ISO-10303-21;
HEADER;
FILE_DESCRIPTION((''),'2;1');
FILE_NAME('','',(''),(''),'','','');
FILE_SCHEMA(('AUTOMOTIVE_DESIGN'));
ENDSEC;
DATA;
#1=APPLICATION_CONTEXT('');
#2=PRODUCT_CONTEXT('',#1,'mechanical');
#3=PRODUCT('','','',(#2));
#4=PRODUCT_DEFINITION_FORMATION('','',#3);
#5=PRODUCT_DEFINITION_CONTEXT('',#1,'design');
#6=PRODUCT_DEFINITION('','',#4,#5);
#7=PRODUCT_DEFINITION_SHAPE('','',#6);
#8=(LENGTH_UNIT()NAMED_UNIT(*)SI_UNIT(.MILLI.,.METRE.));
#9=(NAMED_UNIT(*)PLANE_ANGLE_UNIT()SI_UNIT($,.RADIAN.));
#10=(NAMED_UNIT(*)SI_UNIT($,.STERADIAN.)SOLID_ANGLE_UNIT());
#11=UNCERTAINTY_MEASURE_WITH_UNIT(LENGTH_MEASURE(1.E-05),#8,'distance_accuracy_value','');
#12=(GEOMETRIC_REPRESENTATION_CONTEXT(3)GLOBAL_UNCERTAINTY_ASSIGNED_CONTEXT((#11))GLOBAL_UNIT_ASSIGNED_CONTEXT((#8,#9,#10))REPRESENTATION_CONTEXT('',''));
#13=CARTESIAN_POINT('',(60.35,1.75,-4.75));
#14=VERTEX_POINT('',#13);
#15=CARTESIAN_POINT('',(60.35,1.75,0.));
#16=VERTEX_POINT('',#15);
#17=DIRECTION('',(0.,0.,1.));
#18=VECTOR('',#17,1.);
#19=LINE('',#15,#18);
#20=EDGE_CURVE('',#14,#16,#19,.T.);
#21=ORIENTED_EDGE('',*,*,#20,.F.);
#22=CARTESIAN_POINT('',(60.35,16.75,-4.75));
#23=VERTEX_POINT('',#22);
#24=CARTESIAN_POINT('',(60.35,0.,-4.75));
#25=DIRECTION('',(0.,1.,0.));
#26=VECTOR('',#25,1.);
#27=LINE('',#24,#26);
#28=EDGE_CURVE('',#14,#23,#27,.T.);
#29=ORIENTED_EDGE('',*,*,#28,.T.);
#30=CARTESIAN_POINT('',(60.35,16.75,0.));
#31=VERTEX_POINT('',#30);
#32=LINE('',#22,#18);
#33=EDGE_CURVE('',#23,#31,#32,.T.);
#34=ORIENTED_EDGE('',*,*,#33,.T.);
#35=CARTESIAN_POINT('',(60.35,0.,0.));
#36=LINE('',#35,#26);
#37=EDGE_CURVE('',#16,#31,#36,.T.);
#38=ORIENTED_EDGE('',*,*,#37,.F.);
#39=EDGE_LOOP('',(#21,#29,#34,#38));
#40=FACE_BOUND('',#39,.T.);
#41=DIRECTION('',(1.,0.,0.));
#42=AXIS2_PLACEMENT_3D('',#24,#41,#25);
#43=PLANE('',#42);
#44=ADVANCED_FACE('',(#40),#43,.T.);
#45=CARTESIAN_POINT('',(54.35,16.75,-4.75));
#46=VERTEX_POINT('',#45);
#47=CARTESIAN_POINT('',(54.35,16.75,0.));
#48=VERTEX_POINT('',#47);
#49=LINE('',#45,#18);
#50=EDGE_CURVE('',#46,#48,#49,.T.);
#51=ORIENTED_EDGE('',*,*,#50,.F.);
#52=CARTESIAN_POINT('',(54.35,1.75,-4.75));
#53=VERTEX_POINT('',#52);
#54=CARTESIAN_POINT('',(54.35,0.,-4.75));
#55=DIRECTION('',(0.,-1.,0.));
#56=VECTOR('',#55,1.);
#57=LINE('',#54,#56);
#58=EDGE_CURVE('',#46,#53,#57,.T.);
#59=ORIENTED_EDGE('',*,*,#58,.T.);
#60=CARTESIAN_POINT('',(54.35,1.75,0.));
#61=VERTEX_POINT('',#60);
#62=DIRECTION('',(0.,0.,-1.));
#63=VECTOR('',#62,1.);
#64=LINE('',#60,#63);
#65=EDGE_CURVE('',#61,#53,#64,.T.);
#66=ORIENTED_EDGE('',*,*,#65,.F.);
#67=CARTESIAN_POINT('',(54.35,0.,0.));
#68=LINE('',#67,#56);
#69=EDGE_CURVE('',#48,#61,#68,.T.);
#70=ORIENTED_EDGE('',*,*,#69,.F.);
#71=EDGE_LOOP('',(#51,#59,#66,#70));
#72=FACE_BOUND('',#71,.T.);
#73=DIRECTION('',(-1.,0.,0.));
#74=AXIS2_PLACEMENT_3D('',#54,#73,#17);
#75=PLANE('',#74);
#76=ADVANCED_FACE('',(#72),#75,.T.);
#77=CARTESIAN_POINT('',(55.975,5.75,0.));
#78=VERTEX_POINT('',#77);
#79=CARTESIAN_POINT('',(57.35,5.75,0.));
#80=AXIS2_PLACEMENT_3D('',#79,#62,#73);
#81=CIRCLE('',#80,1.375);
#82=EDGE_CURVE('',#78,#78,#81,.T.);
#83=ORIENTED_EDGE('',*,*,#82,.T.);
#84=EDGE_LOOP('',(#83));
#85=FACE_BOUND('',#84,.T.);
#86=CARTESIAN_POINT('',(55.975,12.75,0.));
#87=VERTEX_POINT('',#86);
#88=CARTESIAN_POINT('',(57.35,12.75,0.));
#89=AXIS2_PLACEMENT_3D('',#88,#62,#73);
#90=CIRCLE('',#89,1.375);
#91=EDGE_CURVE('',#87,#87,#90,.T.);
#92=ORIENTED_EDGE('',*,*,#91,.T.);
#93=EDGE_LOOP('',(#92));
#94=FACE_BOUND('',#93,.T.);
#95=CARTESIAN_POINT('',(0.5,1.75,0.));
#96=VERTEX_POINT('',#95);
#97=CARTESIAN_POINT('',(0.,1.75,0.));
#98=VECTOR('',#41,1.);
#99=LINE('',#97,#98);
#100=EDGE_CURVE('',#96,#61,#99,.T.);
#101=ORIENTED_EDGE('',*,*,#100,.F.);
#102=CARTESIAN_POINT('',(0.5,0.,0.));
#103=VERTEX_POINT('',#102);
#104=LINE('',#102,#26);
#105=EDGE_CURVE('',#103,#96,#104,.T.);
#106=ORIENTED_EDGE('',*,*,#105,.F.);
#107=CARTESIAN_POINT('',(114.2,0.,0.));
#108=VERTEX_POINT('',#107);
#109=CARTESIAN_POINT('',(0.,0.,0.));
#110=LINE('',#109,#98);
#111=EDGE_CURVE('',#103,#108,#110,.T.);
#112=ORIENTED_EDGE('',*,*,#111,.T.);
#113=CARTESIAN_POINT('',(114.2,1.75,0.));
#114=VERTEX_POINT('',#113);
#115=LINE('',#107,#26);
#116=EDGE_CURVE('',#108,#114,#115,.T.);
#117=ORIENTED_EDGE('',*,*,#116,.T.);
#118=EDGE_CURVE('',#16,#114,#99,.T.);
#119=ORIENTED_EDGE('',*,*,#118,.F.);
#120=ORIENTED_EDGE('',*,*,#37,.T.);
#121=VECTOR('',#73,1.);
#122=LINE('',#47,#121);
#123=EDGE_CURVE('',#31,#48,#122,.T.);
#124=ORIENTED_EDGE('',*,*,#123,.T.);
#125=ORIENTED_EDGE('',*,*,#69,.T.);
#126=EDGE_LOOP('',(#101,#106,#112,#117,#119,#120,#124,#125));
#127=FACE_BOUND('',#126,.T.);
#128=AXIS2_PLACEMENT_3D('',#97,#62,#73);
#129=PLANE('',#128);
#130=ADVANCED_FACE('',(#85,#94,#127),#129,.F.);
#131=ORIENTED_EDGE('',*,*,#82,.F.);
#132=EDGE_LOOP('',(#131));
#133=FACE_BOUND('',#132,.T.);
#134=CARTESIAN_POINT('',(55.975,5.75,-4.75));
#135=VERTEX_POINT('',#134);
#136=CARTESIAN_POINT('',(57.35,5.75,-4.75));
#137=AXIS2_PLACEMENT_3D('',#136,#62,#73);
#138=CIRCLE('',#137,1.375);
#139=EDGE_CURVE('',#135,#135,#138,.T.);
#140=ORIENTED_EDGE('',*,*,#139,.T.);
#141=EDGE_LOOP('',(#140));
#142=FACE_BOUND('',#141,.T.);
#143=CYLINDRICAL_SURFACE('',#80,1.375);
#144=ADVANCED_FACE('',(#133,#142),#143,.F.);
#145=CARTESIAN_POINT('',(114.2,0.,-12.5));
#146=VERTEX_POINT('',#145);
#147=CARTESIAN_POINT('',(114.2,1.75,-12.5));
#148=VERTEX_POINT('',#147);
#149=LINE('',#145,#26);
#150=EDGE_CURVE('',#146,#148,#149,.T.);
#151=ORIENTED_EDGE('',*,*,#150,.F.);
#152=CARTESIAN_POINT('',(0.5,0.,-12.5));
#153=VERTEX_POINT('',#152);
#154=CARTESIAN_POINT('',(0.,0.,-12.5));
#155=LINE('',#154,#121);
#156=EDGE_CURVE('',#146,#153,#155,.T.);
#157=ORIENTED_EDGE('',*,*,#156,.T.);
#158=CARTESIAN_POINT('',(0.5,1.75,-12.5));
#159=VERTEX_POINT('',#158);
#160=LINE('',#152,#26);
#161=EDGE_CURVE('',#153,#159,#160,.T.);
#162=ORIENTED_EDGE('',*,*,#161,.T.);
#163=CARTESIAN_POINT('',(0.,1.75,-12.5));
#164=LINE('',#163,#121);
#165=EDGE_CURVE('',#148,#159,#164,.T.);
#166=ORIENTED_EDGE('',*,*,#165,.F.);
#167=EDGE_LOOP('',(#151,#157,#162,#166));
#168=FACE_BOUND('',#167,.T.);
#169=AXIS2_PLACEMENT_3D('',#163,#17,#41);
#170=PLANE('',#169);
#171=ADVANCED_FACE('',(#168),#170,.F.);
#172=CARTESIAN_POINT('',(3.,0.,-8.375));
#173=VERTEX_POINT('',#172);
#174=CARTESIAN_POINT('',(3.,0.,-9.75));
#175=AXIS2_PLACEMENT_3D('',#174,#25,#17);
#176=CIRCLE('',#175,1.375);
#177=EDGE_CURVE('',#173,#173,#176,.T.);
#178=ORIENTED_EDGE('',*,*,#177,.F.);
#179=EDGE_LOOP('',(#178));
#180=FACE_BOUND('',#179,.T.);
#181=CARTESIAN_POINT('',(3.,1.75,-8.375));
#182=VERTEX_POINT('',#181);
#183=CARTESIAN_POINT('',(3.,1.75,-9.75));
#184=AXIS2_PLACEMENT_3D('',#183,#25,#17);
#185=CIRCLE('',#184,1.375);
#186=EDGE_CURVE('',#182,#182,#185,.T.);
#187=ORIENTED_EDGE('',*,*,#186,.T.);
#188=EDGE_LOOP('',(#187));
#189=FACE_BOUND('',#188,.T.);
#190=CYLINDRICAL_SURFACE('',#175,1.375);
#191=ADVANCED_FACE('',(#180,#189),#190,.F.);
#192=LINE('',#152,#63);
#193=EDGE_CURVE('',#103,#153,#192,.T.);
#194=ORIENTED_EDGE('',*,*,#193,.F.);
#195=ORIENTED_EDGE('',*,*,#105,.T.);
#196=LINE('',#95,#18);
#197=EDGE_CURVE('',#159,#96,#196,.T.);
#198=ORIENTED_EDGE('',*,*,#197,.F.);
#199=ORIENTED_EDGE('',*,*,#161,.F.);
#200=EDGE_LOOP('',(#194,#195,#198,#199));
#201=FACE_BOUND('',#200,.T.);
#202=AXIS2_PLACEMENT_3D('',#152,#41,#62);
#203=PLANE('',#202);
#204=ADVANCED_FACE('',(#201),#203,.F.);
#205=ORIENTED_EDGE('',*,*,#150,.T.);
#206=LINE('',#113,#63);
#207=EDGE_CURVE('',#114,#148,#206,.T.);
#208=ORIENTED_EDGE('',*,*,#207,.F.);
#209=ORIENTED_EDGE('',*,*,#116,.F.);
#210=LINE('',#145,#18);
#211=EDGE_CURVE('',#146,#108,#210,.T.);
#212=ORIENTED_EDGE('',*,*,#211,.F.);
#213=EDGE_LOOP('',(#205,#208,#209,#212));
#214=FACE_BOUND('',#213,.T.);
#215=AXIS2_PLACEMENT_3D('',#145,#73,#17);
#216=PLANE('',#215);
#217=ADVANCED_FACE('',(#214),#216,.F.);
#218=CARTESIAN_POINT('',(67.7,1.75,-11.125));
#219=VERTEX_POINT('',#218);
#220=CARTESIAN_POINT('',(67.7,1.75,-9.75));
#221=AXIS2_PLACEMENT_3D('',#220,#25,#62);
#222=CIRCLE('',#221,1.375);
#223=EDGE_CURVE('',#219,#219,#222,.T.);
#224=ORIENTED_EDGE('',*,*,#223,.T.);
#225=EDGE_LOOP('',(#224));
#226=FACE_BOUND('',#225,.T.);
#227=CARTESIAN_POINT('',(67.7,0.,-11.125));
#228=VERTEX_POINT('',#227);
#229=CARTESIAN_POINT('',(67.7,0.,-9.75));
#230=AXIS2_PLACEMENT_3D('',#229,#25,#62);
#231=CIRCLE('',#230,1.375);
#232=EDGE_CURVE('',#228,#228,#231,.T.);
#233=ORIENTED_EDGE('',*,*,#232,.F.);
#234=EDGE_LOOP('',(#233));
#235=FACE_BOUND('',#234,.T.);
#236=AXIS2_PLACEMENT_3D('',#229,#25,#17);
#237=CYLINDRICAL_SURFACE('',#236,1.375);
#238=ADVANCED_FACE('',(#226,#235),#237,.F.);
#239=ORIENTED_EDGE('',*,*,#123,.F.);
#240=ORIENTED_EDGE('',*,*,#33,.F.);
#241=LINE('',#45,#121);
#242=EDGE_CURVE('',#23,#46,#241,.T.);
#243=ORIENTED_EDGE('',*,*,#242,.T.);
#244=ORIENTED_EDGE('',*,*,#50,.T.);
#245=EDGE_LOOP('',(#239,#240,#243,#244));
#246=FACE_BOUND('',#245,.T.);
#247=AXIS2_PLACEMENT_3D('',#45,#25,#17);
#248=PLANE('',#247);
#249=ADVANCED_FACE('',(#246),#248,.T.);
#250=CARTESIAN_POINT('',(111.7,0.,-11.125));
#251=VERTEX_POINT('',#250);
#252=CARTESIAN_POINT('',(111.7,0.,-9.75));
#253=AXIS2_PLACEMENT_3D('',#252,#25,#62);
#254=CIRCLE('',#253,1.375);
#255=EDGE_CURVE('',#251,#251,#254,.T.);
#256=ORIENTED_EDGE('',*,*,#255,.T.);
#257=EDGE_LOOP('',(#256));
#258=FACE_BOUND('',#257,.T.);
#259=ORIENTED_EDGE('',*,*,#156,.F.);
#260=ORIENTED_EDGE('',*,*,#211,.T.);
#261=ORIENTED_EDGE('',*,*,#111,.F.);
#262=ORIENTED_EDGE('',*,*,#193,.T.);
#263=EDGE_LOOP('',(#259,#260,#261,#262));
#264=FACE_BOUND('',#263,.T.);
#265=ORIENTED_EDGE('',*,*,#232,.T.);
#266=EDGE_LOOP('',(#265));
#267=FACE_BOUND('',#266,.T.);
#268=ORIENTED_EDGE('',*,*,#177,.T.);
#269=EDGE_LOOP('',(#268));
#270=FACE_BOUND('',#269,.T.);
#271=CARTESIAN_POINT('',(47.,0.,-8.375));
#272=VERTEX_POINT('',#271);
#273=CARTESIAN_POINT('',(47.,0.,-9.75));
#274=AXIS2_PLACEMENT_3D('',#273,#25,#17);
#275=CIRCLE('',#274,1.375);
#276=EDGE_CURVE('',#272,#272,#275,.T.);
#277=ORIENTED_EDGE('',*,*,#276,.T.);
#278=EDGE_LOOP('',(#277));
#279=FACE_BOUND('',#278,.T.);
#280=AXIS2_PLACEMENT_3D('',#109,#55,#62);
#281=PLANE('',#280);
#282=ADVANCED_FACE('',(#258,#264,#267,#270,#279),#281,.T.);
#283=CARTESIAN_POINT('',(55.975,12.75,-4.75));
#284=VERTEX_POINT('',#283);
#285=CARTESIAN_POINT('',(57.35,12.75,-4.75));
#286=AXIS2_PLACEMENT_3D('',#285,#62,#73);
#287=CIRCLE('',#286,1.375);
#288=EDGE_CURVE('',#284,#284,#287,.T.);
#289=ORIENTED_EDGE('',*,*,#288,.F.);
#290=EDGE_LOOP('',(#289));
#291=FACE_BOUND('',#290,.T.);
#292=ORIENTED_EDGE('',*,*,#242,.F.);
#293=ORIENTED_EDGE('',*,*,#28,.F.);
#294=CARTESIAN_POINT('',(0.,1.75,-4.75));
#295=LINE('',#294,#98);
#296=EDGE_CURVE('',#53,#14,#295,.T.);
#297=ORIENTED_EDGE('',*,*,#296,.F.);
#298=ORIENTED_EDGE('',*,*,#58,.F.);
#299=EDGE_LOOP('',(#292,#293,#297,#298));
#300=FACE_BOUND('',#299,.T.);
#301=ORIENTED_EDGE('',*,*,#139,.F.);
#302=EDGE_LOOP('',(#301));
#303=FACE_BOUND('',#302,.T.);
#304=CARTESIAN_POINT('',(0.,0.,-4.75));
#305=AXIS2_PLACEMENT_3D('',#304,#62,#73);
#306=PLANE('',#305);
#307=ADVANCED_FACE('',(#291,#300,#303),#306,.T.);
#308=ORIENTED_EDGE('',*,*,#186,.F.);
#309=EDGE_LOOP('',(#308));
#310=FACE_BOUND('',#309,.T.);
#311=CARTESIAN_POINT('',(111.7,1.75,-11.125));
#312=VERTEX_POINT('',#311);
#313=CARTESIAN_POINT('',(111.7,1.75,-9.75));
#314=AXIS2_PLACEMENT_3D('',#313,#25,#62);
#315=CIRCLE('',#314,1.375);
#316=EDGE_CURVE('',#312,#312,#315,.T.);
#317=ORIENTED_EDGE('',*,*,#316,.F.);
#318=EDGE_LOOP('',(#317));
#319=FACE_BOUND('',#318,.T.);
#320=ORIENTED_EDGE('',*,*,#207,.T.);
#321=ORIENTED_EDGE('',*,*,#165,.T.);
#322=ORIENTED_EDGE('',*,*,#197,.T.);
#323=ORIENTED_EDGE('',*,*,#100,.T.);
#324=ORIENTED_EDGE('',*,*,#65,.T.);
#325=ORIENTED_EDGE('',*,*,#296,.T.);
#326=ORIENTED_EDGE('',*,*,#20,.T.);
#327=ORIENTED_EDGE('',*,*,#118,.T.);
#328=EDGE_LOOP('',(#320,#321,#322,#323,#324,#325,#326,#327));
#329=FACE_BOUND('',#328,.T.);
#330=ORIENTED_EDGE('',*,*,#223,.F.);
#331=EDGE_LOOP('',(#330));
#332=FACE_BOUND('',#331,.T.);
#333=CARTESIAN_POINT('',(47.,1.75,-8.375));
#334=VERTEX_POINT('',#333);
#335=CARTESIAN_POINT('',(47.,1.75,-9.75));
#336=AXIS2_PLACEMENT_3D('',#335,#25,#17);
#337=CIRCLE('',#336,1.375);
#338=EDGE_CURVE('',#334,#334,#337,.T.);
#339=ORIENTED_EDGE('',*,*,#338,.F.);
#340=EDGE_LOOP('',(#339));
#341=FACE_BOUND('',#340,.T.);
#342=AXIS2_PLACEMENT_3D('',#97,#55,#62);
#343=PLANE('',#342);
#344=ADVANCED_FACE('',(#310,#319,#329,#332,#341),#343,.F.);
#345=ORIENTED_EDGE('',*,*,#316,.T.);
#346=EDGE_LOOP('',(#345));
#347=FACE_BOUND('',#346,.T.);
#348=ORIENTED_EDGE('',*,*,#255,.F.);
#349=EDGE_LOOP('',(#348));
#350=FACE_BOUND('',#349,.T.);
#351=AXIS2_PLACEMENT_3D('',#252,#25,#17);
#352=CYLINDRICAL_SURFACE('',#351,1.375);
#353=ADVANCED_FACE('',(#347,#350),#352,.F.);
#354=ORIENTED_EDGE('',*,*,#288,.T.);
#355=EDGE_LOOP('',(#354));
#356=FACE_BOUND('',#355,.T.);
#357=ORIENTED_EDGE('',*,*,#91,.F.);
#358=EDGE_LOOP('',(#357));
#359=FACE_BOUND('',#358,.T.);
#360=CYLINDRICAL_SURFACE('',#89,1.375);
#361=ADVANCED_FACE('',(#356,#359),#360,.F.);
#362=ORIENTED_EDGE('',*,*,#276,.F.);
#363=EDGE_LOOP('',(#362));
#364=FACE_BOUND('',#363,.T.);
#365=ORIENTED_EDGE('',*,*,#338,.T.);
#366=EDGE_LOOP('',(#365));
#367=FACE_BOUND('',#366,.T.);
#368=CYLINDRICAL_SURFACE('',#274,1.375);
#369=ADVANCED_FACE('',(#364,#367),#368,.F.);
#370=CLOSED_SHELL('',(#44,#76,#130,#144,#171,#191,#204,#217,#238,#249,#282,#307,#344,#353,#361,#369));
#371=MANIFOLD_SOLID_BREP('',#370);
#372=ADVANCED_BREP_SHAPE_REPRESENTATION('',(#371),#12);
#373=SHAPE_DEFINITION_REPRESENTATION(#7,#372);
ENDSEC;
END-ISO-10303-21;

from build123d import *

# Parameters (mm, degrees)
SKETCH2_W                        = 114.7
SKETCH2_H                        = 12.5
BRACKETBASE_DEPTH                = 1.75
SKETCH3_R                        = 1.375
BOTTOMCHASSISMOUNTINGHOLES_DEPTH = 1.75
SKETCH4_W                        = 6
SKETCH4_H                        = 16.75
MOUNTINGTABS_DEPTH               = 4.75
SKETCH5_W                        = 6
SKETCH5_H                        = 1.75
EXTENSION_DEPTH                  = 7.75
SKETCH6_R                        = 1.375
REARSHELLMOUNTINGHOLES_DEPTH     = 4.75
SKETCH8_R                        = 3.25
CUT_EXTRUDE2_DEPTH               = 10
SKETCH9_R                        = 3.25
CUT_EXTRUDE3_DEPTH               = 10
SKETCH10_W                       = 6.5
SKETCH10_H                       = 12.5
CUT_EXTRUDE4_DEPTH               = 16
CUT_EXTRUDE4_DEPTH_BACK          = 2.75


with BuildPart() as part:
    # Sketch2 → bracketBase (new body)
    with BuildSketch(Plane(origin=(0, 0, 0), x_dir=(1, 0, 0), z_dir=(0, 1, 0))):
        with Locations((57.35, 6.25)):
            Rectangle(SKETCH2_W, SKETCH2_H)
    extrude(amount=BRACKETBASE_DEPTH)

    # Sketch3 → bottomChassisMountingHoles (cut)
    with BuildSketch(Plane(origin=(0, 1.75, 0), x_dir=(1, 0, 0), z_dir=(0, 1, 0))):
        with Locations((3, 9.75)):
            Circle(SKETCH3_R)
        with Locations((47, 9.75)):
            Circle(SKETCH3_R)
        with Locations((67.7, 9.75)):
            Circle(SKETCH3_R)
        with Locations((111.7, 9.75)):
            Circle(SKETCH3_R)
    extrude(amount=-BOTTOMCHASSISMOUNTINGHOLES_DEPTH, mode=Mode.SUBTRACT)

    # Sketch4 → mountingTabs (add)
    with BuildSketch(Plane.XY):
        with Locations((117.7, 8.375)):
            Rectangle(SKETCH4_W, SKETCH4_H)
        with Locations((-3, 8.375)):
            Rectangle(SKETCH4_W, SKETCH4_H)
        with Locations((57.35, 8.375)):
            Rectangle(SKETCH4_W, SKETCH4_H)
    extrude(amount=-MOUNTINGTABS_DEPTH)

    # Sketch5 → extension (add)
    with BuildSketch(Plane(origin=(0, 0, -12.5), x_dir=(-1, 0, 0), z_dir=(0, 0, -1))):
        with Locations((-117.7, 0.875)):
            Rectangle(SKETCH5_W, SKETCH5_H)
        with Locations((3, 0.875)):
            Rectangle(SKETCH5_W, SKETCH5_H)
    extrude(amount=-EXTENSION_DEPTH)

    # Sketch6 → rearShellMountingHoles (cut)
    with BuildSketch(Plane(origin=(0, 0, -4.75), x_dir=(-1, 0, 0), z_dir=(0, 0, -1))):
        with Locations((-57.35, 12.75)):
            Circle(SKETCH6_R)
        with Locations((-57.35, 5.75)):
            Circle(SKETCH6_R)
        with Locations((-117.7, 12.75)):
            Circle(SKETCH6_R)
        with Locations((-117.7, 5.75)):
            Circle(SKETCH6_R)
        with Locations((3, 5.75)):
            Circle(SKETCH6_R)
        with Locations((3, 12.75)):
            Circle(SKETCH6_R)
    extrude(amount=-REARSHELLMOUNTINGHOLES_DEPTH, mode=Mode.SUBTRACT)

    # Sketch8 → Cut-Extrude2 (cut)
    with BuildSketch(Plane(origin=(0, 1.75, 0), x_dir=(1, 0, 0), z_dir=(0, 1, 0))):
        with Locations((120.95, 8.5675)):
            Circle(SKETCH8_R)
        with Locations((-6.25, 8.5675)):
            Circle(SKETCH8_R)
    extrude(amount=-CUT_EXTRUDE2_DEPTH, mode=Mode.SUBTRACT)

    # Sketch9 → Cut-Extrude3 (cut)
    with BuildSketch(Plane.XZ.offset(-1.75)):
        with Locations((-6.25, -8.5675)):
            Circle(SKETCH9_R)
        with BuildLine():
            Line((120.7, -5.327129651), (122.422971605, -5.194199506))
            Line((122.422971605, -5.194199506), (122.933227388, -11.807870349))
            Line((122.933227388, -11.807870349), (120.7, -11.807870349))
            ThreePointArc((120.7, -11.807870349), (117.7, -8.5675), (120.7, -5.327129651))
        make_face()
    extrude(amount=-CUT_EXTRUDE3_DEPTH, mode=Mode.SUBTRACT)

    # Sketch10 → Cut-Extrude4 (cut, two sides)
    with BuildSketch(Plane(origin=(0, 1.75, 0), x_dir=(1, 0, 0), z_dir=(0, 1, 0))) as cut_extrude4_sk:
        with Locations((117.45, 6.25)):
            Rectangle(SKETCH10_W, SKETCH10_H)
        with Locations((-2.75, 6.25)):
            Rectangle(SKETCH10_W, SKETCH10_H)
    extrude(amount=CUT_EXTRUDE4_DEPTH, mode=Mode.SUBTRACT)
    extrude(cut_extrude4_sk.sketch, amount=-CUT_EXTRUDE4_DEPTH_BACK, mode=Mode.SUBTRACT)


solid = part.part
